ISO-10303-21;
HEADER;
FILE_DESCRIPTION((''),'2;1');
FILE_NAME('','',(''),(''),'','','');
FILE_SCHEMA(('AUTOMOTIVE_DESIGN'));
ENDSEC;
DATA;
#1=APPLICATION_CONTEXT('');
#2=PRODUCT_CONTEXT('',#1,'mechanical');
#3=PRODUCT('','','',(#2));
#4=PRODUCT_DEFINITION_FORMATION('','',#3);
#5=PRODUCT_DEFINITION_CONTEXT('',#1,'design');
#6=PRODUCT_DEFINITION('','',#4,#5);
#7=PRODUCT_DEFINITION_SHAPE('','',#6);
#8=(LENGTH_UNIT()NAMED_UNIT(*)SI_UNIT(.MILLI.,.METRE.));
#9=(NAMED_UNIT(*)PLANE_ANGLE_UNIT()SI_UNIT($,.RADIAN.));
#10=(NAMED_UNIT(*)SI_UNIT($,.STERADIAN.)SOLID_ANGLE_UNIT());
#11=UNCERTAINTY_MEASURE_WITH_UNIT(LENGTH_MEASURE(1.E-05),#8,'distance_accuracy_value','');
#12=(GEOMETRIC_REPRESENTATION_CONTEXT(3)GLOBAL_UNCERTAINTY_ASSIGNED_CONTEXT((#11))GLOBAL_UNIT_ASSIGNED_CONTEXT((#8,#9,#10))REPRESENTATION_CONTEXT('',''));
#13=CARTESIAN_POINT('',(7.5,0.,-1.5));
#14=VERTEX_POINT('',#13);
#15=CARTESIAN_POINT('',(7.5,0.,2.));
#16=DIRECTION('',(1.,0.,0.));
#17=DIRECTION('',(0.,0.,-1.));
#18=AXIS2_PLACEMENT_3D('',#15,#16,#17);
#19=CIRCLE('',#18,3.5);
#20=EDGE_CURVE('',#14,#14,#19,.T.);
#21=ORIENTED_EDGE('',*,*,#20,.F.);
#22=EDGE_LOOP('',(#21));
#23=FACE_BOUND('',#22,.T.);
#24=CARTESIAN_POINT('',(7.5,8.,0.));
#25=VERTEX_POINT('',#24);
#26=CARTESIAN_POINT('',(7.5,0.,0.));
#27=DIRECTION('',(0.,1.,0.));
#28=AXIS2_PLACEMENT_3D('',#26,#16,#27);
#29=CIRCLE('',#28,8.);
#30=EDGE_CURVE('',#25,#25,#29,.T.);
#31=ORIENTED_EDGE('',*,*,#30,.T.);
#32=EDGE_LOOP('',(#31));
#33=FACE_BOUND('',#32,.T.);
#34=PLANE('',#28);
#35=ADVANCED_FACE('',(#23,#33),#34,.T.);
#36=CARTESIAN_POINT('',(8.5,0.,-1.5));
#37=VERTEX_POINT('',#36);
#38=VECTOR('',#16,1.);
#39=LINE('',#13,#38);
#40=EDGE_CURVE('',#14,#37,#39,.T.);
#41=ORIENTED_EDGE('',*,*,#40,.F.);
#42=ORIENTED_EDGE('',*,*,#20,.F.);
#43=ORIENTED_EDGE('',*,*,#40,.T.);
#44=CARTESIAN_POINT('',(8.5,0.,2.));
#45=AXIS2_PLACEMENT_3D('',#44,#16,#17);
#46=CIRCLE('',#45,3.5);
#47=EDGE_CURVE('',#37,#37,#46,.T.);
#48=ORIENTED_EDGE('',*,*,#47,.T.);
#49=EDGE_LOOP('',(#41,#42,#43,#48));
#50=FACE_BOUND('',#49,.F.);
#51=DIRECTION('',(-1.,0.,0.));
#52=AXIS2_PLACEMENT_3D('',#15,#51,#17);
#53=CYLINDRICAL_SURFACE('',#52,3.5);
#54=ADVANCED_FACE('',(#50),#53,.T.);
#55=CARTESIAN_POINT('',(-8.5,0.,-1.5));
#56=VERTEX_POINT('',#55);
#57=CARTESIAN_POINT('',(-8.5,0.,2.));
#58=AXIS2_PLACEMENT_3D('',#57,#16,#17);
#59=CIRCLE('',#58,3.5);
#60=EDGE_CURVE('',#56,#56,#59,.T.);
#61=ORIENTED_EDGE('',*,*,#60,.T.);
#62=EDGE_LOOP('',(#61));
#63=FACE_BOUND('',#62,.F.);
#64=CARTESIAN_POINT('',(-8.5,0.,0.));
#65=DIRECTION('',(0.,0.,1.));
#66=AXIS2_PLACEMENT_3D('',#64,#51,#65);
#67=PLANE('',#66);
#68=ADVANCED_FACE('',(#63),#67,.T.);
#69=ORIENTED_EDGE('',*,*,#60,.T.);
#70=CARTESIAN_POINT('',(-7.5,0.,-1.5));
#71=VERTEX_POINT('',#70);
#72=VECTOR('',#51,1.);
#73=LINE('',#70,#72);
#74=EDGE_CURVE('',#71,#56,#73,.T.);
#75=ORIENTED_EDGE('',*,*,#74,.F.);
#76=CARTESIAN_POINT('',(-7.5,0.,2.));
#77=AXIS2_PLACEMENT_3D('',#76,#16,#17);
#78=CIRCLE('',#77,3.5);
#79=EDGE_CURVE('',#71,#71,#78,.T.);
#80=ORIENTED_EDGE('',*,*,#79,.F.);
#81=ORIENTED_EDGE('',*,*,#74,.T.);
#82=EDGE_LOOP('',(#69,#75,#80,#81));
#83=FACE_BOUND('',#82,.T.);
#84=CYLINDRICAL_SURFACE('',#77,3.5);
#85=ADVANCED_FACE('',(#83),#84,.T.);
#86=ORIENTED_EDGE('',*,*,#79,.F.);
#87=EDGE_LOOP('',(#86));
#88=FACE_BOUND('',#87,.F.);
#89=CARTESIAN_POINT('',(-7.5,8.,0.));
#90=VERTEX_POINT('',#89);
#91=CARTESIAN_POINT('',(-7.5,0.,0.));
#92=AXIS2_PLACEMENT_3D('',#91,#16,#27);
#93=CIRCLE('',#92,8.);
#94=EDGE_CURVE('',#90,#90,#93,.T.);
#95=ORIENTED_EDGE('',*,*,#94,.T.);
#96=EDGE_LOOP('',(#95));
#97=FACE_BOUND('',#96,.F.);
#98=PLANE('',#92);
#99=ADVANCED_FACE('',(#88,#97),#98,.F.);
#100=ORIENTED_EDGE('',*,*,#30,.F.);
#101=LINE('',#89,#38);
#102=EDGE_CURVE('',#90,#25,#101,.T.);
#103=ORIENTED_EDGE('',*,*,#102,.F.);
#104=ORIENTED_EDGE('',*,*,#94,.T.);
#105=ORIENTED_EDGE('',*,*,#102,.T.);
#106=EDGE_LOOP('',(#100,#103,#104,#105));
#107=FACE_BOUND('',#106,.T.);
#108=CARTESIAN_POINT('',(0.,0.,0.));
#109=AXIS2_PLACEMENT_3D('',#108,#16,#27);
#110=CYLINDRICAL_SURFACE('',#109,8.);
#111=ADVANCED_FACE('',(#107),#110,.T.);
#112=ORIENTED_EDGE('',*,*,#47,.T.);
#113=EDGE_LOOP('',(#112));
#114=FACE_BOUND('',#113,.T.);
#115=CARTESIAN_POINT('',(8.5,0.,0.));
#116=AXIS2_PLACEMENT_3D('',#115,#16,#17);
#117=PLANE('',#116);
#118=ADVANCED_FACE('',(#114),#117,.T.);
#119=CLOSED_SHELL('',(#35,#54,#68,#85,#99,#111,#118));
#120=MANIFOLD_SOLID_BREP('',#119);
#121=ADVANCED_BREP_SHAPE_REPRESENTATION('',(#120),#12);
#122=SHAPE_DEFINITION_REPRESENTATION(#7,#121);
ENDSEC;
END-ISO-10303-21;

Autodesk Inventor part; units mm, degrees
ref_plane "YZ Plane" through (0, 0, 0) normal (1, 0, 0) x (0, 1, 0)
ref_plane "XZ Plane" through (0, 0, 0) normal (0, 1, 0) x (-1, 0, 0)
ref_plane "XY Plane" through (0, 0, 0) normal (0, 0, 1) x (1, 0, 0)
sketch "Szkic1" plane through (0, 0, 0) normal (1, 0, 0) x (0, 1, 0)
  circle A0 centre (0, 0) radius 8
  dimension "d0" = 16
extrude "Wyciągnięcie proste1" add sketch "Szkic1" along normal mid plane 15
sketch "Szkic2" plane through (7.5, 0, 0) normal (1, 0, 0) x (0, 0, -1)
  circle A0 centre (-2, 0) radius 3.5
  point P0 (0, 0)
  dimension "d3" = 7
  dimension "d4" = 2
extrude "Wyciągnięcie proste2" add sketch "Szkic2" along normal blind 1
mirror "Odbij1" about plane through (0, 0, 0) normal (1, 0, 0) of "Wyciągnięcie proste2", "Wyciągnięcie proste1"
sketch "Szkic3" plane through (7.5, 0, 0) normal (1, 0, 0) x (0, 0, -1)
  point P0 (0, 0)
sketch "Szkic4" plane through (8.5, 0, 2) normal (1, 0, 0) x (0, 0, -1)
  circle A0 centre (2, 0) radius 8 projected
  circle A1 centre (0, 0) radius 3.5 projected
  point P0 (-6, 0)
  point P1 (-3.5, 0)
sketch "Szkic8" plane through (-7.5, 0, 0) normal (-1, 0, 0) x (0, 0, 1)
  circle A0 centre (0, 0) radius 8 projected
  line L0 (8, 0) -> (5.5, 0)
  circle A1 centre (2, 0) radius 3.5 projected
properties part number "Przekładnia rolka" material "Stal"
